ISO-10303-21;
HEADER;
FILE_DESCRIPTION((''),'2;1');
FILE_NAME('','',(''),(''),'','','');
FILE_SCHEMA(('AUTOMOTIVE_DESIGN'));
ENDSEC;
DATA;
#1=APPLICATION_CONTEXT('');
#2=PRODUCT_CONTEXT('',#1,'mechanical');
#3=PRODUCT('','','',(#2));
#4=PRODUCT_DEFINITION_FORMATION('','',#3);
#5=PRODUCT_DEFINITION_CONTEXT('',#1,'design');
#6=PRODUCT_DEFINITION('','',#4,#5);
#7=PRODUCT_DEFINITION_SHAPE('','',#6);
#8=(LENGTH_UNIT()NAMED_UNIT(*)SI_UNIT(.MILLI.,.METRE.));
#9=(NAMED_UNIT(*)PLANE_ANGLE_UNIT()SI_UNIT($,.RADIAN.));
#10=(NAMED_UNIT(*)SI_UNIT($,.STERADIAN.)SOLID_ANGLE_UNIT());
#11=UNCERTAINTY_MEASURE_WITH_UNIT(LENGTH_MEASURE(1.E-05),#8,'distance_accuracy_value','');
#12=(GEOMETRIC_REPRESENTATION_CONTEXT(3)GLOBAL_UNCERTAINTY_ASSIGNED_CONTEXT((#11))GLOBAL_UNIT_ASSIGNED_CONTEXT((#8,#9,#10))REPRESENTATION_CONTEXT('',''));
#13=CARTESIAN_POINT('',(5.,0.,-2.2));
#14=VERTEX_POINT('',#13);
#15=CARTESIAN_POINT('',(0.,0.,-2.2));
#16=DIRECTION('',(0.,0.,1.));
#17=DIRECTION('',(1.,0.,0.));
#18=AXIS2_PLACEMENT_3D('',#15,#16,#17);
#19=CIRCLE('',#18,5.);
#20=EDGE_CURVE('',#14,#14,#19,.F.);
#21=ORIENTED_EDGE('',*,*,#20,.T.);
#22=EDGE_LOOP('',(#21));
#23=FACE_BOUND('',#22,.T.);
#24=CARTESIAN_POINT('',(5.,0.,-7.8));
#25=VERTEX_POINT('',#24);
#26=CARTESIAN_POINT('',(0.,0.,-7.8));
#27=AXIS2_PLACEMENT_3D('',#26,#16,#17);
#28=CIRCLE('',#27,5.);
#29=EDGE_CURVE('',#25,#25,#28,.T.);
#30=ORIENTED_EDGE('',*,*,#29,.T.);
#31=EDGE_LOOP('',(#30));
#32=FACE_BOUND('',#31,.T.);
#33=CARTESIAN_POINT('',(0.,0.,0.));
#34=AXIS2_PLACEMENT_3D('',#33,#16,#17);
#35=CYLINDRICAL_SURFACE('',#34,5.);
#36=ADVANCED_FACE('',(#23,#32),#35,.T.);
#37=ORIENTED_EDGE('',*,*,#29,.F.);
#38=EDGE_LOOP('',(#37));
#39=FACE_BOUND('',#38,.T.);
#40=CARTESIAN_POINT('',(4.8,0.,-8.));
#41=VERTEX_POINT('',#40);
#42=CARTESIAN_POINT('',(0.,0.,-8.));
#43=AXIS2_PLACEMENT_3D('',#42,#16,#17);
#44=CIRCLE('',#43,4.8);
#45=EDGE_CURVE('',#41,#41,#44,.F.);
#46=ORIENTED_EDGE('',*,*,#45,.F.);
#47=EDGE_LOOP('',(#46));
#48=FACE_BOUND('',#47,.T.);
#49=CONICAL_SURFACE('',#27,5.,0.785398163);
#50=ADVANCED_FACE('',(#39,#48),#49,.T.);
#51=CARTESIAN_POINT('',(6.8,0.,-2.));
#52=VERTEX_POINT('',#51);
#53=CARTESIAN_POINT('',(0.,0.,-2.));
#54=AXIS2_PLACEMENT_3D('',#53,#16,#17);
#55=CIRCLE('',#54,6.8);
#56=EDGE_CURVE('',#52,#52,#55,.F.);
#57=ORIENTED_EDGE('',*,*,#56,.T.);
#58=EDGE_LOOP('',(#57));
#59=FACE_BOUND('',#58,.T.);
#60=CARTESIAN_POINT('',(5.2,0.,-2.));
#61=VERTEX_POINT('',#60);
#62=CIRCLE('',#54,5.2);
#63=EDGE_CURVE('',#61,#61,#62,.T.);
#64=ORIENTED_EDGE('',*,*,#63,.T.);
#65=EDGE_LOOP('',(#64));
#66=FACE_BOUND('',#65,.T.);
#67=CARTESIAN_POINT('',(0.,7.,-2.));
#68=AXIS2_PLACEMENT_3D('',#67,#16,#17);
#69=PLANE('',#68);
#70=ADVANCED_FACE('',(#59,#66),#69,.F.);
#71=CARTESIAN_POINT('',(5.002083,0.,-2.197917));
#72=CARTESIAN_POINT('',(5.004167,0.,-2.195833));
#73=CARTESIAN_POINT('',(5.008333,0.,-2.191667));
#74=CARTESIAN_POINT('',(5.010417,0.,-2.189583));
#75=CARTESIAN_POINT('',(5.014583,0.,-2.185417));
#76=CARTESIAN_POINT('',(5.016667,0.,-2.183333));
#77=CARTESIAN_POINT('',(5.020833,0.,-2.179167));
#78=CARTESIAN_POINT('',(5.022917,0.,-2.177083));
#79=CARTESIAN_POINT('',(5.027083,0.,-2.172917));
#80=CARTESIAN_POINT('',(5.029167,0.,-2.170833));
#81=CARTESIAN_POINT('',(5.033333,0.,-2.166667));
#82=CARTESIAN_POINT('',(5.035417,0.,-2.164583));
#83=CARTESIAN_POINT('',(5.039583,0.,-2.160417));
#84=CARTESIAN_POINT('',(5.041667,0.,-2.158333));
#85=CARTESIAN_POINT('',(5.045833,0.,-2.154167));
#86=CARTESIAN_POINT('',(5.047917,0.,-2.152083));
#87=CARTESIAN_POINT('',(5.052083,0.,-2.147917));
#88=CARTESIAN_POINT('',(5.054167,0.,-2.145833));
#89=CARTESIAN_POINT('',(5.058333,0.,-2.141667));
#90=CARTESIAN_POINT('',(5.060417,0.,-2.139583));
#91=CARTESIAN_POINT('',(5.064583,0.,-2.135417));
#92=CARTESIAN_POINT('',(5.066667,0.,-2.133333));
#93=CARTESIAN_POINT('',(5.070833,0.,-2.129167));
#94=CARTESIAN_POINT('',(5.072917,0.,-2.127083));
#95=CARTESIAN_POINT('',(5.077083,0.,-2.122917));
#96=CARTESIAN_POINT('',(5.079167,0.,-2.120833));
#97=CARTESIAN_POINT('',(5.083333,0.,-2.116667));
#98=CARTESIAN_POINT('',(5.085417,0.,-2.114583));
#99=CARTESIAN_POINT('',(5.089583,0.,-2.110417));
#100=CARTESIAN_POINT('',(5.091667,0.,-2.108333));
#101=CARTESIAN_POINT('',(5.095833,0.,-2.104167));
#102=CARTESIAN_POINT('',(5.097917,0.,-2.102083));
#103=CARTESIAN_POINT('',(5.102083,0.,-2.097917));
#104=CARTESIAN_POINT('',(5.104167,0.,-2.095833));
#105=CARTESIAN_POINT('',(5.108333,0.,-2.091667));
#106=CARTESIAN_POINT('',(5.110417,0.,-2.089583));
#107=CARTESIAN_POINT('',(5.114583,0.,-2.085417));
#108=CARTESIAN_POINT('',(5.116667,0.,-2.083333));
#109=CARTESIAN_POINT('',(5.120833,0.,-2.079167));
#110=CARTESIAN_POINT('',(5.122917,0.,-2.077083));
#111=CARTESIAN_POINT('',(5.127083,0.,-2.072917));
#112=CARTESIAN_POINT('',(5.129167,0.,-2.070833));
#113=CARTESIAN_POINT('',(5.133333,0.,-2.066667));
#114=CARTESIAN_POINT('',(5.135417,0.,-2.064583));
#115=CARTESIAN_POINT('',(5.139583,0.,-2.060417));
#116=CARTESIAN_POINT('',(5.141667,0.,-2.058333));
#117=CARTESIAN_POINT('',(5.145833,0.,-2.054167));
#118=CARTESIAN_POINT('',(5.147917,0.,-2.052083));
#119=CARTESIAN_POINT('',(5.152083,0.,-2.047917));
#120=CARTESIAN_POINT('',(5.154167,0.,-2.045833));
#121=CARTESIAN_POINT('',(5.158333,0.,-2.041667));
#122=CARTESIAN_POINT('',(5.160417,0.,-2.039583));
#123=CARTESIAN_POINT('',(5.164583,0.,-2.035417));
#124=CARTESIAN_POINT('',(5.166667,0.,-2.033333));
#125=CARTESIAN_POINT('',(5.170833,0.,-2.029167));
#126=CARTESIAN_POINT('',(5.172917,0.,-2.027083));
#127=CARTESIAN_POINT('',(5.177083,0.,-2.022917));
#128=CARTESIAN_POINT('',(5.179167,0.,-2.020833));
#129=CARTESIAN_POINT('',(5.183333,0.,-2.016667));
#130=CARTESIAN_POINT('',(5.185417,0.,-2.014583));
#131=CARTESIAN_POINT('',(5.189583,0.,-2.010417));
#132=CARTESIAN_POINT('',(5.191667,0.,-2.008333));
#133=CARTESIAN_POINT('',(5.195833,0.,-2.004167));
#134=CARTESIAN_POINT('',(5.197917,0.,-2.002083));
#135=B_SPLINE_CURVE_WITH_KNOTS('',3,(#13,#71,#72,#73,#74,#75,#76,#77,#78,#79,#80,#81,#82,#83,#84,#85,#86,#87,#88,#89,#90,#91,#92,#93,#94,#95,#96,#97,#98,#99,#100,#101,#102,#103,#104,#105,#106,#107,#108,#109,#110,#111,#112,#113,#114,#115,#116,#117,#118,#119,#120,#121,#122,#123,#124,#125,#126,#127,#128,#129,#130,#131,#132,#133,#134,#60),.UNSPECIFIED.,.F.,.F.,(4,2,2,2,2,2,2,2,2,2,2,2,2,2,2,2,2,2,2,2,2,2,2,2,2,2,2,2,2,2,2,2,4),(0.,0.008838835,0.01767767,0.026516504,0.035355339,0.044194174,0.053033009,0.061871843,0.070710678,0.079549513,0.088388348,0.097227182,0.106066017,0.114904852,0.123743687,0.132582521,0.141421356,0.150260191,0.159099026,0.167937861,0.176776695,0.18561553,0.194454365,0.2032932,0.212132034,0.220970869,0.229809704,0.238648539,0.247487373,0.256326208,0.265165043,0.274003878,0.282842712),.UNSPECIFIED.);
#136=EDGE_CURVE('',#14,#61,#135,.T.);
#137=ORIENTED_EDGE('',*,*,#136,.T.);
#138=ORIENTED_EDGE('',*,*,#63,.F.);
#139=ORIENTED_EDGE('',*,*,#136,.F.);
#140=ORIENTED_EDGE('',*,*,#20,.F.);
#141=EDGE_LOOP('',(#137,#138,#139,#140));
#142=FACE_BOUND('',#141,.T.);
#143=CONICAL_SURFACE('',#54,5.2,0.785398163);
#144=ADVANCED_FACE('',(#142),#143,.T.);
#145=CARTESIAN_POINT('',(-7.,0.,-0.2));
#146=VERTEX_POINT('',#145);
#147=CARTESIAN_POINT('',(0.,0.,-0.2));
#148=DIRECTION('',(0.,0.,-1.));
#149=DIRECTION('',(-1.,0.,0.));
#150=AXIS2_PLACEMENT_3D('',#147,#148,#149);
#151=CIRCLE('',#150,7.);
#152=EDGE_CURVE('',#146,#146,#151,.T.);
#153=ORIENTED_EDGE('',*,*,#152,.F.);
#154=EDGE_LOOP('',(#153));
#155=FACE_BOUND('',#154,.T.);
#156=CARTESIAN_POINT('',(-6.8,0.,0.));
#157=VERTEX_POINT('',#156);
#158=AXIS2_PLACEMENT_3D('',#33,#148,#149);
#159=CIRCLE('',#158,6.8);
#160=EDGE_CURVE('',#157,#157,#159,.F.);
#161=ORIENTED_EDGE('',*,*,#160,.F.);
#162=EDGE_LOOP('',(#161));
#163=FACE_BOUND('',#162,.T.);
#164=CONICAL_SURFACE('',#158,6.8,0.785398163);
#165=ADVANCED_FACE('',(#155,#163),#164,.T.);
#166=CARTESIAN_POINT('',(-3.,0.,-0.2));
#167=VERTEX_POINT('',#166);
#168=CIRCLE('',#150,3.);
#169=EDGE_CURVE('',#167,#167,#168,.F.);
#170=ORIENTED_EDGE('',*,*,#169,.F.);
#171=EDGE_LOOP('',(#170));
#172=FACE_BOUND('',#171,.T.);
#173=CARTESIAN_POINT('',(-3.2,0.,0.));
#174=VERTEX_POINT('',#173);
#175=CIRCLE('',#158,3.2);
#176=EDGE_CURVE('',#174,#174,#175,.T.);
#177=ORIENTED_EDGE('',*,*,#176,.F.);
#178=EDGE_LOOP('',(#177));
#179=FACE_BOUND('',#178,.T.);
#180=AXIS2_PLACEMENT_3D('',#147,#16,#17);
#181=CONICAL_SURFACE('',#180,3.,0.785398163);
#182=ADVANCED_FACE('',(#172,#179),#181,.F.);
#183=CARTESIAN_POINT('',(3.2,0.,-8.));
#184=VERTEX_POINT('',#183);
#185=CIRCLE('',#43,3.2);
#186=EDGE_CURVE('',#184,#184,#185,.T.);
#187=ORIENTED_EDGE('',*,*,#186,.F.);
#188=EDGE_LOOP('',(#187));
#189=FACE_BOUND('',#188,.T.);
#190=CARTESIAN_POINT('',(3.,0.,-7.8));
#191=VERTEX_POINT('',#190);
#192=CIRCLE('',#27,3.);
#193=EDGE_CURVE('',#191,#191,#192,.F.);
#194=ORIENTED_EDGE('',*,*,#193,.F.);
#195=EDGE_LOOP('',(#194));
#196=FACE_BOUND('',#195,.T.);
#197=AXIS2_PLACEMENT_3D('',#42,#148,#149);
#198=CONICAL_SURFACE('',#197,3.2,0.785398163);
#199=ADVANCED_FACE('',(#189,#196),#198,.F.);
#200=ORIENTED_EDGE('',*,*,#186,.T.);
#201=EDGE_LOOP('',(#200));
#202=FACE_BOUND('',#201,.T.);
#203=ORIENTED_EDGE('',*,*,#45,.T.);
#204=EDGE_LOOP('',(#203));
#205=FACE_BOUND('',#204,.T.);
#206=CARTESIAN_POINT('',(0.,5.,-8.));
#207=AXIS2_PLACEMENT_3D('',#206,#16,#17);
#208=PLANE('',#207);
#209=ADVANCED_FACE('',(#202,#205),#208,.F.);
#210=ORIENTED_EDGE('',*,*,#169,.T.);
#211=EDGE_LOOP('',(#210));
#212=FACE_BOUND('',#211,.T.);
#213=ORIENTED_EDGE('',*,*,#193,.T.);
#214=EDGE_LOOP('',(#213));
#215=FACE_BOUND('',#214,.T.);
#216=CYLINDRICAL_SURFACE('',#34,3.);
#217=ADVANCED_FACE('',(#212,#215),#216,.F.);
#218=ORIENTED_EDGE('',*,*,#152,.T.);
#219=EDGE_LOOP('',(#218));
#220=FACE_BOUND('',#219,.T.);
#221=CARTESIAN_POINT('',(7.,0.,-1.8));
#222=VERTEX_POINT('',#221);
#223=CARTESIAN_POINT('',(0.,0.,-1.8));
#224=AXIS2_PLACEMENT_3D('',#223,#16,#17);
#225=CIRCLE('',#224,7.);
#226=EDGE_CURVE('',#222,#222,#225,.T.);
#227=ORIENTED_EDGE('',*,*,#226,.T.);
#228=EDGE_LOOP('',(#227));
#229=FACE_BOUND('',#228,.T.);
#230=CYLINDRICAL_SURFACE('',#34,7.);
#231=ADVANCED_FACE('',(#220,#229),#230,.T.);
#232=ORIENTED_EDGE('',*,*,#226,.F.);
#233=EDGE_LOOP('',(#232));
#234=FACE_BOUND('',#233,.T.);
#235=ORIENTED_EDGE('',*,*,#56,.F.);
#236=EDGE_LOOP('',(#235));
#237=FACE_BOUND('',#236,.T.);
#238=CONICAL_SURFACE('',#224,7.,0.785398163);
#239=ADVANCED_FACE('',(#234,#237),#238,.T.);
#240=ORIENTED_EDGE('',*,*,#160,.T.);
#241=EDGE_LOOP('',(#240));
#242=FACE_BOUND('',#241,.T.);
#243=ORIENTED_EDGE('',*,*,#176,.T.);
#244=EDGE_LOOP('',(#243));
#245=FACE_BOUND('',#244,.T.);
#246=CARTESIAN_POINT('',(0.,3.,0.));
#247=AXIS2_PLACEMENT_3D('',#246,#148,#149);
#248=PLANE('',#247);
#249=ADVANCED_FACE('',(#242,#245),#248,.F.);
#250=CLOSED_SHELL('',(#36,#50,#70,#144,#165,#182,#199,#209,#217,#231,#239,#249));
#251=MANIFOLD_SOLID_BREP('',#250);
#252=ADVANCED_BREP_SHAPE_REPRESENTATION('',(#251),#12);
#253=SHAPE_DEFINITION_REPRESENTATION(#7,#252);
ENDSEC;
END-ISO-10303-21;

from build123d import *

# Parameters (mm, degrees)
CHAMFER1_SIZE = 0.2


with BuildPart() as part:
    # Sketch1 → Revolve1 (revolve)
    with BuildSketch(Plane(origin=(0, 0, 0), x_dir=(0, 0, -1), z_dir=(1, 0, 0)), mode=Mode.PRIVATE) as revolve1_sk:
        Polygon((0, 3), (0, 7), (2, 7), (2, 5), (8, 5), (8, 3), align=None)
    revolve(revolve1_sk.sketch.rotate(Axis((0, 0, 0), (0, 0, -1)), 90), axis=Axis((0, 0, 0), (0, 0, -1)))

    # Chamfer1
    chamfer1_edges = [part.edges().sort_by_distance(p)[0] for p in [
        (-3, 0, -8),
        (-5, 0, -8),
        (-5, 0, -2),
        (-7, 0, -2),
        (-7, 0, 0),
        (-3, 0, 0),
    ]]
    chamfer(chamfer1_edges, length=CHAMFER1_SIZE)


solid = part.part
